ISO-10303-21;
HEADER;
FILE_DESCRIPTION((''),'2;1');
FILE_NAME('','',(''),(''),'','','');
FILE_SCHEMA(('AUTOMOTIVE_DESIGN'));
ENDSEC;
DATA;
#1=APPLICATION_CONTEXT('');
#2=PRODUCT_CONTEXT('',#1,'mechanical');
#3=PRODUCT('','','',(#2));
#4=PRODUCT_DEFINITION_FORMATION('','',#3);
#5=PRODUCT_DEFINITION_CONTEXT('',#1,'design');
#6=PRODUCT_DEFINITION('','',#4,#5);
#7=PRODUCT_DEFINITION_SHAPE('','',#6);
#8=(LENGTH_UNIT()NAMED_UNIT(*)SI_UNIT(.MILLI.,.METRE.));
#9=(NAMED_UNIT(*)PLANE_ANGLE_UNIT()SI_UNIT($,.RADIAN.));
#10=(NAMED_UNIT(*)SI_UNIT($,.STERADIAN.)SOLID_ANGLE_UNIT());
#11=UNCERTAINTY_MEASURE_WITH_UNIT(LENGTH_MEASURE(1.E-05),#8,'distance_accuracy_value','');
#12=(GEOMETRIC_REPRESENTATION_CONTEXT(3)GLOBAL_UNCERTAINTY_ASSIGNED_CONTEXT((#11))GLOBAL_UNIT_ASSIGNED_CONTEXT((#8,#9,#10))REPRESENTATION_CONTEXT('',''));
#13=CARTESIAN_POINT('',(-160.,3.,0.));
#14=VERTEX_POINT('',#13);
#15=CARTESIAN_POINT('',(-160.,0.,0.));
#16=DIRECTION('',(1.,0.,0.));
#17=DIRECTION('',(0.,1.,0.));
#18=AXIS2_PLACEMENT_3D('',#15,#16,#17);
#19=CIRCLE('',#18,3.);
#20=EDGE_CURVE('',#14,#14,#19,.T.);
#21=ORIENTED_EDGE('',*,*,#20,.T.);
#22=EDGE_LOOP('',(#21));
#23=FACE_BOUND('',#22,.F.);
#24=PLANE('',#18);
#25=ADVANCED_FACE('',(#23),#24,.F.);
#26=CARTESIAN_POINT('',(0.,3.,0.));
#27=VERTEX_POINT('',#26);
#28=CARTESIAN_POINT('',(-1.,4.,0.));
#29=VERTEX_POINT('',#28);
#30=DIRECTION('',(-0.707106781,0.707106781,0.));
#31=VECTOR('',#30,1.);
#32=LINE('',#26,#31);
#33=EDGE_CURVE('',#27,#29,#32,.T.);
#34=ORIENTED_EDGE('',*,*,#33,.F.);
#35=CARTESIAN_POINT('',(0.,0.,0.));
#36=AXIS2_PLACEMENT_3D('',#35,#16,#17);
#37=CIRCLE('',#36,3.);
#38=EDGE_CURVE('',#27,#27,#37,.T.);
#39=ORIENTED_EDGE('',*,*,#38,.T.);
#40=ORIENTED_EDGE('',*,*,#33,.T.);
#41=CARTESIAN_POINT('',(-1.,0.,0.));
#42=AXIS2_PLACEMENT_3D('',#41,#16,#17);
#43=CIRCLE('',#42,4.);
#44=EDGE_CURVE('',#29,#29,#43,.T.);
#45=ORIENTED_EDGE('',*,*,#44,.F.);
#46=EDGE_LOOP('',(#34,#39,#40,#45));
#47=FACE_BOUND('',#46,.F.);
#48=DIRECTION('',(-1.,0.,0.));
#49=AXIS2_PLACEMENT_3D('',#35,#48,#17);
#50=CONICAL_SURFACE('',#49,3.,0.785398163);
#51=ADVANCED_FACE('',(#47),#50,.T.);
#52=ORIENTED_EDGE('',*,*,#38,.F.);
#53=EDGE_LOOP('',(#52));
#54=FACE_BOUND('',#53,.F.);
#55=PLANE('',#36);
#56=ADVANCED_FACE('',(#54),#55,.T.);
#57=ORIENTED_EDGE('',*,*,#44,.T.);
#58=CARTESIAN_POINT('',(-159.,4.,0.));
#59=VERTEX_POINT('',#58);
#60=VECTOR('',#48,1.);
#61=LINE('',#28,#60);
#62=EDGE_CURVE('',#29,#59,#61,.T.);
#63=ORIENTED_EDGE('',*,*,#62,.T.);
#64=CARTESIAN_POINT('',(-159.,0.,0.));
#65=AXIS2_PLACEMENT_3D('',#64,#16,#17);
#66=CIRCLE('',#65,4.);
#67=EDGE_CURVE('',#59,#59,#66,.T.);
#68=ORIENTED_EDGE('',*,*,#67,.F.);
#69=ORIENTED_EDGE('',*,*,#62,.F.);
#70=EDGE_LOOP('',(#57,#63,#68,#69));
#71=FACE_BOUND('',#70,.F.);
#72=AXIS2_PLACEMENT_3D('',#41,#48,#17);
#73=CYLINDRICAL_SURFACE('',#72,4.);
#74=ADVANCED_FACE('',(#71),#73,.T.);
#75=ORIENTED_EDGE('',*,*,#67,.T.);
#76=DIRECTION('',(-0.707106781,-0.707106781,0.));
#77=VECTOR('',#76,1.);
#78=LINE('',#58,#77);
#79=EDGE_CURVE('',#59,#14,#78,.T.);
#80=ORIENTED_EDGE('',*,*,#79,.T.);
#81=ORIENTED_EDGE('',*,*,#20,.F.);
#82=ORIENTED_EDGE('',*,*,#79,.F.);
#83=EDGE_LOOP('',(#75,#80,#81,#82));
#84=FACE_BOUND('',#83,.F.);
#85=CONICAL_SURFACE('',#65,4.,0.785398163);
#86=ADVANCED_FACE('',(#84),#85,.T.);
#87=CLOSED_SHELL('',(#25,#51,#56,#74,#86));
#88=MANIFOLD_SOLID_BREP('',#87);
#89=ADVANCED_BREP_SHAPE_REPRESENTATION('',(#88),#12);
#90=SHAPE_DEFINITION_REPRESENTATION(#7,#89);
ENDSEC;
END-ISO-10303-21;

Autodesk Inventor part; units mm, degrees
ref_plane "YZ Plane" through (0, 0, 0) normal (1, 0, 0) x (0, 1, 0)
ref_plane "XZ Plane" through (0, 0, 0) normal (0, 1, 0) x (-1, 0, 0)
ref_plane "XY Plane" through (0, 0, 0) normal (0, 0, 1) x (1, 0, 0)
sketch "Sketch1" plane through (0, 0, 0) normal (0, 0, 1) x (1, 0, 0)
  line L0 (0, 0) -> (0, 3)
  line L1 (0, 3) -> (-1, 4)
  line L2 (-1, 4) -> (-159, 4)
  line L3 (-159, 4) -> (-160, 3)
  line L4 (-160, 3) -> (-160, 0)
  line L5 (-160, 0) -> (0, 0)
  dimension "d0" = 4
  dimension "d1" = 135
  dimension "d2" = 1
  dimension "d3" = 160
revolve "Revolution1" add sketch "Sketch1" angle 360 about axis through (-160, 0, 0) along (1, 0, 0)
properties part number "M8x160mm Threaded Rod"
